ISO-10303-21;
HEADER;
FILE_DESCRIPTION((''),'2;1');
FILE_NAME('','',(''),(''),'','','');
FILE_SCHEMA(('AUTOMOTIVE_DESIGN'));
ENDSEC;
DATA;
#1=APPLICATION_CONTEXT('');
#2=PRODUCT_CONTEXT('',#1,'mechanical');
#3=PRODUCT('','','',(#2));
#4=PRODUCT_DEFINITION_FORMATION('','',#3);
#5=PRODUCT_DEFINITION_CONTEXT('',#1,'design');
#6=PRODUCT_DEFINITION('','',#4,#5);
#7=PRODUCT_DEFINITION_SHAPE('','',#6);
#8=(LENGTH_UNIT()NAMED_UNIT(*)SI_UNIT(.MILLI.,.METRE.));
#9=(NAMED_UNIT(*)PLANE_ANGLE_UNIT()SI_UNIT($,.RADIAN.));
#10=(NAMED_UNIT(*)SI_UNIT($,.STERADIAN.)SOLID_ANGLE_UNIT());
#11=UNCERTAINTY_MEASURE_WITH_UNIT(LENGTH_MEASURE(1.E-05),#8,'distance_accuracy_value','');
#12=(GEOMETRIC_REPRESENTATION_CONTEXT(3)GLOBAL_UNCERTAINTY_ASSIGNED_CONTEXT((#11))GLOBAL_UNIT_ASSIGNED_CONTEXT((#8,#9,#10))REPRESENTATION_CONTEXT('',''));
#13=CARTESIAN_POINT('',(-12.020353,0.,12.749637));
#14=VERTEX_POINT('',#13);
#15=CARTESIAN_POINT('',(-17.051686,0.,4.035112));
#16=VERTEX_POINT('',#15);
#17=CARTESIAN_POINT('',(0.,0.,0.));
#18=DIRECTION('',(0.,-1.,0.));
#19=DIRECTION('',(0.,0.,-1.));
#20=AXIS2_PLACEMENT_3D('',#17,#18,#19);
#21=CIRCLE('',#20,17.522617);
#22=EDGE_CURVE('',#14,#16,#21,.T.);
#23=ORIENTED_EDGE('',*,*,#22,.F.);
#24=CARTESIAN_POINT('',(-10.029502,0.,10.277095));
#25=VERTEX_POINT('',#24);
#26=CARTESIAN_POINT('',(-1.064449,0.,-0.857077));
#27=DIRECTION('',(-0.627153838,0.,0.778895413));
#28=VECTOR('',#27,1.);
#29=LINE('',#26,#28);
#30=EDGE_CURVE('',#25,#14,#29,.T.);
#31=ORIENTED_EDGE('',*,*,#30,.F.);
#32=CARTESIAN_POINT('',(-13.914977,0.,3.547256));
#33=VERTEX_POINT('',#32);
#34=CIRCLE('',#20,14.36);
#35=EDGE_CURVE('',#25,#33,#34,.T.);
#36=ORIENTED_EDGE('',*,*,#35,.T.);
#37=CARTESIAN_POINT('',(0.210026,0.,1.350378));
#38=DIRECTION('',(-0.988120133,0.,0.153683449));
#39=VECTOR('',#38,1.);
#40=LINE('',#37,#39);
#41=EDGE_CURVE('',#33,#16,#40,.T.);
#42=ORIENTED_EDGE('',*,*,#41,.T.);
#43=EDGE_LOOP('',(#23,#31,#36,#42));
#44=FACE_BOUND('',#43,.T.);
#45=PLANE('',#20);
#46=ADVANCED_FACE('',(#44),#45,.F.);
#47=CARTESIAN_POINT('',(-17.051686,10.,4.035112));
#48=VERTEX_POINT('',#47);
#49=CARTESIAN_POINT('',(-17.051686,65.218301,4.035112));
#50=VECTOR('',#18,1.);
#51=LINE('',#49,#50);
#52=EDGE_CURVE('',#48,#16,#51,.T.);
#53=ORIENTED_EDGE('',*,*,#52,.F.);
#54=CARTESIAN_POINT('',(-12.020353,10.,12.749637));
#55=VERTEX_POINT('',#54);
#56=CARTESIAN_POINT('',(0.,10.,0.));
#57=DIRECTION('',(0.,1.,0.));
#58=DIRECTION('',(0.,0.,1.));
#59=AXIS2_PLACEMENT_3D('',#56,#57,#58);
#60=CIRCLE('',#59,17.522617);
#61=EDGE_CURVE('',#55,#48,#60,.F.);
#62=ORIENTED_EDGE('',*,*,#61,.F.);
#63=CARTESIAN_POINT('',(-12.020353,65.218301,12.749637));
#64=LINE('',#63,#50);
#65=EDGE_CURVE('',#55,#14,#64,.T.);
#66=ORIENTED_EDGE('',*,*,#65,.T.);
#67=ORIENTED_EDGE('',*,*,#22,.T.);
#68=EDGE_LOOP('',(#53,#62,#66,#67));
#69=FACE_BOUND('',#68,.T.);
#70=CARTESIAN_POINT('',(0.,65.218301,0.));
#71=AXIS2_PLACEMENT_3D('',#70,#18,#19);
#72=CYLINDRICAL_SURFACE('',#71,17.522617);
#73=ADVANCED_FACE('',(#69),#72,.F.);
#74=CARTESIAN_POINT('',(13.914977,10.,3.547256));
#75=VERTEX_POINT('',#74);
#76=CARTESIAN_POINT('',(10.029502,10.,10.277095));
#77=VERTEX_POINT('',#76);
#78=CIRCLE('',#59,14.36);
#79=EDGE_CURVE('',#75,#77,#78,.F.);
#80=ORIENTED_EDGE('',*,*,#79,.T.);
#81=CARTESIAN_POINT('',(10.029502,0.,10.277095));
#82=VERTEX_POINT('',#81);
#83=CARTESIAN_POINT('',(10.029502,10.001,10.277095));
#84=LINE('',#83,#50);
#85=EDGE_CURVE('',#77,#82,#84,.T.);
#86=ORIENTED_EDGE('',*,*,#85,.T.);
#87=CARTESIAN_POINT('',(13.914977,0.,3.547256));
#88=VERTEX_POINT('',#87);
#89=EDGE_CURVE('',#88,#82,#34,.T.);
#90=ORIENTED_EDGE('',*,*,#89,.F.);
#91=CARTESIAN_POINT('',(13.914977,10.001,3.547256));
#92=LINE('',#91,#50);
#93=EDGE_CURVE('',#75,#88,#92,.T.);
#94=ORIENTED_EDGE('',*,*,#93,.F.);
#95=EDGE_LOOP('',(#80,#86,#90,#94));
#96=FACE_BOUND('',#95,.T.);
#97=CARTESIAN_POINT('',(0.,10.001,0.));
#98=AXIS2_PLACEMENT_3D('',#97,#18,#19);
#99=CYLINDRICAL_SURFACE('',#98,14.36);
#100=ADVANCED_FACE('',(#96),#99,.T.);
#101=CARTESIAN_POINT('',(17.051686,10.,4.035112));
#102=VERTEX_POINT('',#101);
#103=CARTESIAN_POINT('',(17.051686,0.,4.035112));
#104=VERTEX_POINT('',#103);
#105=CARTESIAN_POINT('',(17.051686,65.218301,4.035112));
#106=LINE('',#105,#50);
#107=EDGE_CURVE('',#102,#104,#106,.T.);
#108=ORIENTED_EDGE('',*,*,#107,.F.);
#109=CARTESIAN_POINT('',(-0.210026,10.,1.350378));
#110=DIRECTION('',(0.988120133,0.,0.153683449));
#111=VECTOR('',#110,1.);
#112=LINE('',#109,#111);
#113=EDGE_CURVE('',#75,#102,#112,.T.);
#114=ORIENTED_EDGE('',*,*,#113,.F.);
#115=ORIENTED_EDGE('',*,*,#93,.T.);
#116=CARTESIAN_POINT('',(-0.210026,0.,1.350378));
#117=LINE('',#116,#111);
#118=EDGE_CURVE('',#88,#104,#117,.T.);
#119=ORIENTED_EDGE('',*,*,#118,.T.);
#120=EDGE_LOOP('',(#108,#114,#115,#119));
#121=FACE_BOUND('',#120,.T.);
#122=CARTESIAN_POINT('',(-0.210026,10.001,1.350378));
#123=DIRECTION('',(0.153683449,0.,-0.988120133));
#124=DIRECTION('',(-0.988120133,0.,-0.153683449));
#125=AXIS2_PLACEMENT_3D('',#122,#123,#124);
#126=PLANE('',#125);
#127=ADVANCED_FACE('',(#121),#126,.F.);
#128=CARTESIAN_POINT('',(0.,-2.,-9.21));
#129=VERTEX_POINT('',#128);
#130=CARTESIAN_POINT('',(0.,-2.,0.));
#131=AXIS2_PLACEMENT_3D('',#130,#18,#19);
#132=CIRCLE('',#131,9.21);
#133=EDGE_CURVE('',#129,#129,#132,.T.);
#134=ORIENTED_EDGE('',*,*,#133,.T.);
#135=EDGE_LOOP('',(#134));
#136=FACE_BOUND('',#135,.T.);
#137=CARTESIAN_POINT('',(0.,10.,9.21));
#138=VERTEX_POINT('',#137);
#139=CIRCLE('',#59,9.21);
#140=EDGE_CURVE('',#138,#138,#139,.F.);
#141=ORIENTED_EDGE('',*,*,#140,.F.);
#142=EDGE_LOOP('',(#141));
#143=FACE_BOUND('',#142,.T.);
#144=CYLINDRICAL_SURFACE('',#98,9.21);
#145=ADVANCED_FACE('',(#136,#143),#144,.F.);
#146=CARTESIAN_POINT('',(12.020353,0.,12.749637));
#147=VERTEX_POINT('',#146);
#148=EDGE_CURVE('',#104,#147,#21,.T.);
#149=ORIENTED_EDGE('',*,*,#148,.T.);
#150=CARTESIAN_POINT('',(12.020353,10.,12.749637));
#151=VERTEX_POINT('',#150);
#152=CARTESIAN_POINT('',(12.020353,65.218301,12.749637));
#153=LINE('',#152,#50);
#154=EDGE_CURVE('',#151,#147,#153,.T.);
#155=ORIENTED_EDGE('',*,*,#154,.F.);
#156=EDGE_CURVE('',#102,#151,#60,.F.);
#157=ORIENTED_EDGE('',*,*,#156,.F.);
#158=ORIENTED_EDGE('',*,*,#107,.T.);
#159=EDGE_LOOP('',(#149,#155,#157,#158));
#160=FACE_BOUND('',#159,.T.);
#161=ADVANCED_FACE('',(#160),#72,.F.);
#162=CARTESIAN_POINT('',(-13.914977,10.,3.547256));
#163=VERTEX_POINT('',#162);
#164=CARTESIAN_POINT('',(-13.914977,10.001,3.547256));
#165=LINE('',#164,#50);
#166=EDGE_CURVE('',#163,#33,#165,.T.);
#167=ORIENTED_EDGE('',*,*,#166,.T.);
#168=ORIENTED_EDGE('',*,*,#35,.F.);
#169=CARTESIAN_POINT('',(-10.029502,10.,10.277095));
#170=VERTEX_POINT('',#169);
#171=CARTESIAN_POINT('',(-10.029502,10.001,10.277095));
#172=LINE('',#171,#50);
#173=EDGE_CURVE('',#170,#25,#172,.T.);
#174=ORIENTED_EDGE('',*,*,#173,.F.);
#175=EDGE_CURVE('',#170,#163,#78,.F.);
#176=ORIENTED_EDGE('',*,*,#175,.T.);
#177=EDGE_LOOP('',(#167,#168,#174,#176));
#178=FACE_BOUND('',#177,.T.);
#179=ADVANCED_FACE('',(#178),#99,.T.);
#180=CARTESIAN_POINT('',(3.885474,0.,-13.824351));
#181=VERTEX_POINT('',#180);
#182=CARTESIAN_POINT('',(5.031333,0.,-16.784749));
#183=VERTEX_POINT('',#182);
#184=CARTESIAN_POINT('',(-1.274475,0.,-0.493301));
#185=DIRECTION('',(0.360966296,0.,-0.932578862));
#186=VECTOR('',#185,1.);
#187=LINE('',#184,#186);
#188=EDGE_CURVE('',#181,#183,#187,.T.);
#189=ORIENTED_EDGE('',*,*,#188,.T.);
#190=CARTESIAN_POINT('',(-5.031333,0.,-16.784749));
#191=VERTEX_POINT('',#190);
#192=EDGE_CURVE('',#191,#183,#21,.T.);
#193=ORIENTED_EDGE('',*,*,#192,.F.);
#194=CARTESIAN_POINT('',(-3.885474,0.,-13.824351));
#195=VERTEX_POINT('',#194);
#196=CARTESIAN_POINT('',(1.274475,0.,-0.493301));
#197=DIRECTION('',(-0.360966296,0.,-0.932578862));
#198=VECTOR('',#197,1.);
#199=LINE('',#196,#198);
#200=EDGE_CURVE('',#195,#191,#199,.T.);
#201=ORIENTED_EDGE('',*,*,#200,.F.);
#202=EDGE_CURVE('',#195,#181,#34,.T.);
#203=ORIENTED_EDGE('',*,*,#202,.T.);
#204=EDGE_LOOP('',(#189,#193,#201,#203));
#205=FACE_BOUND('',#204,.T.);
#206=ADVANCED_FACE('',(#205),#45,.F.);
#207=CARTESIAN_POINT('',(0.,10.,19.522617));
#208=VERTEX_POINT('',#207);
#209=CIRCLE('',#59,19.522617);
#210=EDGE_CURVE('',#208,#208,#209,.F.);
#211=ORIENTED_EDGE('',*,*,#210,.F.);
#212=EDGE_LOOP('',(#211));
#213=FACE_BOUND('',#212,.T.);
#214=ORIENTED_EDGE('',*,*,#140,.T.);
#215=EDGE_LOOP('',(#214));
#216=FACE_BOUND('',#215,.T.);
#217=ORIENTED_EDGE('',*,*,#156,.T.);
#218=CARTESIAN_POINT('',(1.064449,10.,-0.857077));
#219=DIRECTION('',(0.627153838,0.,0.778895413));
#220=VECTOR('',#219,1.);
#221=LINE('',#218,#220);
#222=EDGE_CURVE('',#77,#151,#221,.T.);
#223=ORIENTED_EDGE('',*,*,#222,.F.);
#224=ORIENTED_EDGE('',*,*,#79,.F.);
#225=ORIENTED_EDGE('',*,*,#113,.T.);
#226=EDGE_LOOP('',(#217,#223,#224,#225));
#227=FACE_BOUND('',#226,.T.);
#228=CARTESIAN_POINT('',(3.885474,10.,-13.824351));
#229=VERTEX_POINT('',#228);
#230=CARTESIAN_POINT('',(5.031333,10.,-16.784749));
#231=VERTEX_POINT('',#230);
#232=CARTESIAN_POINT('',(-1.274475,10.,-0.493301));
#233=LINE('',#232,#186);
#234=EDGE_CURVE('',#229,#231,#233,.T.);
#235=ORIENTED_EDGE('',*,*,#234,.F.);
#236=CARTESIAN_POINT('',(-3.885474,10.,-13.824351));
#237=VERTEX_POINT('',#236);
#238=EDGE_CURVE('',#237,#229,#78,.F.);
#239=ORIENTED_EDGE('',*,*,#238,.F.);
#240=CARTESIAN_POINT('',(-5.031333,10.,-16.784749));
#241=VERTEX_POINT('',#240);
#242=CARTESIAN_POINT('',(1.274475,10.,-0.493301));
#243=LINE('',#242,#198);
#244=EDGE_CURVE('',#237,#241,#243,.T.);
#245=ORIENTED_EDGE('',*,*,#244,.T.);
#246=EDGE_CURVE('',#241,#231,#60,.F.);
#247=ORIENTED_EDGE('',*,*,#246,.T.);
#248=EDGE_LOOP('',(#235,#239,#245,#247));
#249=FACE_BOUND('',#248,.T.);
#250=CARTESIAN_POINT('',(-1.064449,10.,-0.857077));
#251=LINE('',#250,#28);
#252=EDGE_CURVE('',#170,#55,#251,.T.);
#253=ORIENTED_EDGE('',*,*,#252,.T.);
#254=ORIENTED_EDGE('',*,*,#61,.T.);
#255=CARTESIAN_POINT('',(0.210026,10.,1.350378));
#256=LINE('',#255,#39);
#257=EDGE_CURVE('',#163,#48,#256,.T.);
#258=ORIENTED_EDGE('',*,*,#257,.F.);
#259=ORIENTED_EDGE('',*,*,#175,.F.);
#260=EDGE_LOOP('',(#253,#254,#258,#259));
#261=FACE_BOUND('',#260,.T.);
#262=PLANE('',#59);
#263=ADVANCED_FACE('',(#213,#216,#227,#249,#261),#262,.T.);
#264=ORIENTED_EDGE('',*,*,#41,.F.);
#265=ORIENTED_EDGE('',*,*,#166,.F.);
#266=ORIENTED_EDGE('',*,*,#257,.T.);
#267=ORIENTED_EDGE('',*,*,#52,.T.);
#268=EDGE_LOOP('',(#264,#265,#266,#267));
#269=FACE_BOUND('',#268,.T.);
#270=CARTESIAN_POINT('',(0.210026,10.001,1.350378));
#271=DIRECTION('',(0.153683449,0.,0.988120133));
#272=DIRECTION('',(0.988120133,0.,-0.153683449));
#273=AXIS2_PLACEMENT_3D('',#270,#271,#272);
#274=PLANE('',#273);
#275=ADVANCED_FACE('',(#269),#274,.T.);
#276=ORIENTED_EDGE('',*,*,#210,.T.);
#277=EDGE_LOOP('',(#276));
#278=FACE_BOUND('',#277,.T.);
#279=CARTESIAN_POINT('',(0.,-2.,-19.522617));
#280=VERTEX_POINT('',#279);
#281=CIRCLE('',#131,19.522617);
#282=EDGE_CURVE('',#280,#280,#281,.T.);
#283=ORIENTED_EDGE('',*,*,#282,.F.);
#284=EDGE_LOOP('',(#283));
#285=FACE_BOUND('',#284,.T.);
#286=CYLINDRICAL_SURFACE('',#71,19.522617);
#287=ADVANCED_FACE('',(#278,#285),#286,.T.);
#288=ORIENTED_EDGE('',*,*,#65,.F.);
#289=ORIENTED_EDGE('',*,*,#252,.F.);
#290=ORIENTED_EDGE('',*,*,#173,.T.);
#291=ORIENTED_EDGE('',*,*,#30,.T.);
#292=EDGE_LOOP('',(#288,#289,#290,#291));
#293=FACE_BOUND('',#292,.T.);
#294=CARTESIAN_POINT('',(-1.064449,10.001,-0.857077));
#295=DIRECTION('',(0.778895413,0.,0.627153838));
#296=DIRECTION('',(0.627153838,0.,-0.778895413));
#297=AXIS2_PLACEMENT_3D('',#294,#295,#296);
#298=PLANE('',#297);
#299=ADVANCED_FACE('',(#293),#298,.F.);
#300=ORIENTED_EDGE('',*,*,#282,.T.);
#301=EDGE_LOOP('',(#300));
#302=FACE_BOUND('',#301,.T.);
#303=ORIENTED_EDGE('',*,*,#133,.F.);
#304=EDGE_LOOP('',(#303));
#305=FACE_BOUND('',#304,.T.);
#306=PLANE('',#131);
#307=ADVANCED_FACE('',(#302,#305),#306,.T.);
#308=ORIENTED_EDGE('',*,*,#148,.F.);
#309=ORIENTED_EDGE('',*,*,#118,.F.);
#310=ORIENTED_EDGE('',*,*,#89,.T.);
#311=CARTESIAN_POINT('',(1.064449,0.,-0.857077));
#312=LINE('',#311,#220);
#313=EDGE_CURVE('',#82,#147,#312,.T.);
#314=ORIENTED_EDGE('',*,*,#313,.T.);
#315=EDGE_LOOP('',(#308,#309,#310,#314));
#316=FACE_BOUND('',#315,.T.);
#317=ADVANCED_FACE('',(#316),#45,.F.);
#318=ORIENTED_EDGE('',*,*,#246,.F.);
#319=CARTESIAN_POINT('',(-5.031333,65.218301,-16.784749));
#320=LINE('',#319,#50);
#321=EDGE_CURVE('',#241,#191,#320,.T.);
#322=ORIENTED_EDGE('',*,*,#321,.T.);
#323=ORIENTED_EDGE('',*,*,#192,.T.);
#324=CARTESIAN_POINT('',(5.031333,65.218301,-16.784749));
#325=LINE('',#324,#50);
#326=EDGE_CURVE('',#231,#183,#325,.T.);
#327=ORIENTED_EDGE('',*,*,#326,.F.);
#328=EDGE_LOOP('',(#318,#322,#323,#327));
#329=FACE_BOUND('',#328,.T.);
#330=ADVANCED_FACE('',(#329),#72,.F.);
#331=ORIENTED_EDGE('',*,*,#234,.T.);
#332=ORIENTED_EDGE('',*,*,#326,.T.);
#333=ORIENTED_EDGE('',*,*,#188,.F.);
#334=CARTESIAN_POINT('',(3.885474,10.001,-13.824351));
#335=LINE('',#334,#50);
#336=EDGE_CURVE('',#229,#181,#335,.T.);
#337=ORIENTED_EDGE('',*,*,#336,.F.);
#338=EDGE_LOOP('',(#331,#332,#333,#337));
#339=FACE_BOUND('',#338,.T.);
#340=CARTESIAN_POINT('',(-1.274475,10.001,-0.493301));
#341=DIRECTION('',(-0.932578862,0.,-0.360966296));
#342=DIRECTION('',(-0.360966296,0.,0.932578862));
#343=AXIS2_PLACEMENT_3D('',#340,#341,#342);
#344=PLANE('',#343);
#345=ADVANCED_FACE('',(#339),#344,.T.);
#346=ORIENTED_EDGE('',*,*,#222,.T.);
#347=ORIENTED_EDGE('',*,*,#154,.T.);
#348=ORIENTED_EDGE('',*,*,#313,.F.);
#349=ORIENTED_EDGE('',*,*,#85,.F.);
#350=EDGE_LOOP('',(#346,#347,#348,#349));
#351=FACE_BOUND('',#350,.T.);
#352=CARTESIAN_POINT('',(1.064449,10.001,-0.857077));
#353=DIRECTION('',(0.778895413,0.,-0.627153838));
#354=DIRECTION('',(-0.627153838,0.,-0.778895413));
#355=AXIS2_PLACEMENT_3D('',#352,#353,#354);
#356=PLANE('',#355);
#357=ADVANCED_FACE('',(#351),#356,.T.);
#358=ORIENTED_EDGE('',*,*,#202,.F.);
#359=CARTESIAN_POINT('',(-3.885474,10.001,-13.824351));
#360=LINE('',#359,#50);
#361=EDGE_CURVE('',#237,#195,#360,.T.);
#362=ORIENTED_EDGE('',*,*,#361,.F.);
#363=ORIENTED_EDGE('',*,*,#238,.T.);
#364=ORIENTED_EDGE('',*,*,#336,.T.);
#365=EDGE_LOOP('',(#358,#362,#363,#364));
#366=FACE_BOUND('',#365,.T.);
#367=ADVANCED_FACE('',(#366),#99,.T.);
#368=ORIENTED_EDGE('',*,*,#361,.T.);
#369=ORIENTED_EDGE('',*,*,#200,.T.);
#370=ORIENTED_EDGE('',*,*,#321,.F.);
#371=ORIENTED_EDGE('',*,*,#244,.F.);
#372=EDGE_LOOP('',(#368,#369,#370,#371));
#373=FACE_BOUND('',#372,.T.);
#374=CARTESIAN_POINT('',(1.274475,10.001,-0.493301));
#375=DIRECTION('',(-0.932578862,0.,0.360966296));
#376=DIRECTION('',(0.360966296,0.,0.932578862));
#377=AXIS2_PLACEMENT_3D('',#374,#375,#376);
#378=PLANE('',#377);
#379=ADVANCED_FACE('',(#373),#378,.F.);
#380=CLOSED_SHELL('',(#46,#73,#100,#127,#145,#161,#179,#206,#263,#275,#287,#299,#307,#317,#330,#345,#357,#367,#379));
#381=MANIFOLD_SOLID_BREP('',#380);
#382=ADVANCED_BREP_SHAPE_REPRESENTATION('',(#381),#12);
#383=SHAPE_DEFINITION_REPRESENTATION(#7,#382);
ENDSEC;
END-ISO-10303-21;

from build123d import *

# Parameters (mm, degrees)
SKETCH1_R           = 19.36
BOSS_EXTRUDE1_DEPTH = 10
CUT_EXTRUDE1_REACH  = 12
CUT_EXTRUDE2_REACH  = 12
SKETCH3_R           = 9.21
SKETCH4_R           = 19.36
SKETCH4_R_2         = 9.21
BOSS_EXTRUDE2_DEPTH = 2
SKETCH5_R           = 19.522617412
SKETCH5_R_2         = 17.522617412
BOSS_EXTRUDE3_DEPTH = 12


with BuildPart() as part:
    # Sketch1 → Boss-Extrude1 (new body)
    with BuildSketch(Plane(origin=(0, 0, 0), x_dir=(1, 0, 0), z_dir=(0, 1, 0))):
        Circle(SKETCH1_R)
    extrude(amount=BOSS_EXTRUDE1_DEPTH)

    # Sketch2 → Cut-Extrude1 (cut, up to next)
    with BuildSketch(Plane.XZ, mode=Mode.PRIVATE) as cut_extrude1_sk1:
        with BuildLine():
            Line((13.175859246, 14.184721821), (10.029502225, 10.277095169))
            ThreePointArc((10.029502225, 10.277095169), (12.436124798, 7.18), (13.914976606, 3.54725613))
            Line((13.914976606, 3.54725613), (18.872259065, 4.318267913))
            ThreePointArc((18.872259065, 4.318267913), (16.766251817, 9.68), (13.175859246, 14.184721821))
        make_face()
    cut_extrude1_tool1 = extrude(cut_extrude1_sk1.sketch, amount=-CUT_EXTRUDE1_REACH, mode=Mode.PRIVATE) & part.part
    add(cut_extrude1_tool1.solids().sort_by_distance((14.534106, 0, 8.39127))[0], mode=Mode.SUBTRACT)
    # Sketch2 → Cut-Extrude1 (cut, up to next)
    with BuildSketch(Plane.XZ, mode=Mode.PRIVATE) as cut_extrude1_sk2:
        with BuildLine():
            ThreePointArc((-13.914976606, 3.54725613), (-12.436124798, 7.18), (-10.029502225, 10.277095169))
            Line((-10.029502225, 10.277095169), (-13.175859246, 14.184721821))
            ThreePointArc((-13.175859246, 14.184721821), (-16.766251817, 9.68), (-18.872259065, 4.318267913))
            Line((-18.872259065, 4.318267913), (-13.914976606, 3.54725613))
        make_face()
    cut_extrude1_tool2 = extrude(cut_extrude1_sk2.sketch, amount=-CUT_EXTRUDE1_REACH, mode=Mode.PRIVATE) & part.part
    add(cut_extrude1_tool2.solids().sort_by_distance((-14.534106, 0, 8.39127))[0], mode=Mode.SUBTRACT)
    # Sketch2 → Cut-Extrude1 (cut, up to next)
    with BuildSketch(Plane.XZ, mode=Mode.PRIVATE) as cut_extrude1_sk3:
        with BuildLine():
            Line((5.69639982, -18.502989734), (3.885474381, -13.824351299))
            ThreePointArc((3.885474381, -13.824351299), (0, -14.36), (-3.885474381, -13.824351299))
            Line((-3.885474381, -13.824351299), (-5.69639982, -18.502989734))
            ThreePointArc((-5.69639982, -18.502989734), (0, -19.36), (5.69639982, -18.502989734))
        make_face()
    cut_extrude1_tool3 = extrude(cut_extrude1_sk3.sketch, amount=-CUT_EXTRUDE1_REACH, mode=Mode.PRIVATE) & part.part
    add(cut_extrude1_tool3.solids().sort_by_distance((0, 0, -16.782541))[0], mode=Mode.SUBTRACT)

    # Sketch3 → Cut-Extrude2 (cut, up to next)
    with BuildSketch(Plane.XZ, mode=Mode.PRIVATE) as cut_extrude2_sk1:
        Circle(SKETCH3_R)
    cut_extrude2_tool1 = extrude(cut_extrude2_sk1.sketch, amount=-CUT_EXTRUDE2_REACH, mode=Mode.PRIVATE) & part.part
    add(cut_extrude2_tool1.solids().sort_by_distance((0, 0, 0))[0], mode=Mode.SUBTRACT)

    # Sketch4 → Boss-Extrude2 (add)
    with BuildSketch(Plane.XZ):
        Circle(SKETCH4_R)
        Circle(SKETCH4_R_2, mode=Mode.SUBTRACT)
    extrude(amount=BOSS_EXTRUDE2_DEPTH)

    # Sketch5 → Boss-Extrude3 (add)
    with BuildSketch(Plane.XZ.offset(2)):
        Circle(SKETCH5_R)
        Circle(SKETCH5_R_2, mode=Mode.SUBTRACT)
    extrude(amount=-BOSS_EXTRUDE3_DEPTH)


solid = part.part
